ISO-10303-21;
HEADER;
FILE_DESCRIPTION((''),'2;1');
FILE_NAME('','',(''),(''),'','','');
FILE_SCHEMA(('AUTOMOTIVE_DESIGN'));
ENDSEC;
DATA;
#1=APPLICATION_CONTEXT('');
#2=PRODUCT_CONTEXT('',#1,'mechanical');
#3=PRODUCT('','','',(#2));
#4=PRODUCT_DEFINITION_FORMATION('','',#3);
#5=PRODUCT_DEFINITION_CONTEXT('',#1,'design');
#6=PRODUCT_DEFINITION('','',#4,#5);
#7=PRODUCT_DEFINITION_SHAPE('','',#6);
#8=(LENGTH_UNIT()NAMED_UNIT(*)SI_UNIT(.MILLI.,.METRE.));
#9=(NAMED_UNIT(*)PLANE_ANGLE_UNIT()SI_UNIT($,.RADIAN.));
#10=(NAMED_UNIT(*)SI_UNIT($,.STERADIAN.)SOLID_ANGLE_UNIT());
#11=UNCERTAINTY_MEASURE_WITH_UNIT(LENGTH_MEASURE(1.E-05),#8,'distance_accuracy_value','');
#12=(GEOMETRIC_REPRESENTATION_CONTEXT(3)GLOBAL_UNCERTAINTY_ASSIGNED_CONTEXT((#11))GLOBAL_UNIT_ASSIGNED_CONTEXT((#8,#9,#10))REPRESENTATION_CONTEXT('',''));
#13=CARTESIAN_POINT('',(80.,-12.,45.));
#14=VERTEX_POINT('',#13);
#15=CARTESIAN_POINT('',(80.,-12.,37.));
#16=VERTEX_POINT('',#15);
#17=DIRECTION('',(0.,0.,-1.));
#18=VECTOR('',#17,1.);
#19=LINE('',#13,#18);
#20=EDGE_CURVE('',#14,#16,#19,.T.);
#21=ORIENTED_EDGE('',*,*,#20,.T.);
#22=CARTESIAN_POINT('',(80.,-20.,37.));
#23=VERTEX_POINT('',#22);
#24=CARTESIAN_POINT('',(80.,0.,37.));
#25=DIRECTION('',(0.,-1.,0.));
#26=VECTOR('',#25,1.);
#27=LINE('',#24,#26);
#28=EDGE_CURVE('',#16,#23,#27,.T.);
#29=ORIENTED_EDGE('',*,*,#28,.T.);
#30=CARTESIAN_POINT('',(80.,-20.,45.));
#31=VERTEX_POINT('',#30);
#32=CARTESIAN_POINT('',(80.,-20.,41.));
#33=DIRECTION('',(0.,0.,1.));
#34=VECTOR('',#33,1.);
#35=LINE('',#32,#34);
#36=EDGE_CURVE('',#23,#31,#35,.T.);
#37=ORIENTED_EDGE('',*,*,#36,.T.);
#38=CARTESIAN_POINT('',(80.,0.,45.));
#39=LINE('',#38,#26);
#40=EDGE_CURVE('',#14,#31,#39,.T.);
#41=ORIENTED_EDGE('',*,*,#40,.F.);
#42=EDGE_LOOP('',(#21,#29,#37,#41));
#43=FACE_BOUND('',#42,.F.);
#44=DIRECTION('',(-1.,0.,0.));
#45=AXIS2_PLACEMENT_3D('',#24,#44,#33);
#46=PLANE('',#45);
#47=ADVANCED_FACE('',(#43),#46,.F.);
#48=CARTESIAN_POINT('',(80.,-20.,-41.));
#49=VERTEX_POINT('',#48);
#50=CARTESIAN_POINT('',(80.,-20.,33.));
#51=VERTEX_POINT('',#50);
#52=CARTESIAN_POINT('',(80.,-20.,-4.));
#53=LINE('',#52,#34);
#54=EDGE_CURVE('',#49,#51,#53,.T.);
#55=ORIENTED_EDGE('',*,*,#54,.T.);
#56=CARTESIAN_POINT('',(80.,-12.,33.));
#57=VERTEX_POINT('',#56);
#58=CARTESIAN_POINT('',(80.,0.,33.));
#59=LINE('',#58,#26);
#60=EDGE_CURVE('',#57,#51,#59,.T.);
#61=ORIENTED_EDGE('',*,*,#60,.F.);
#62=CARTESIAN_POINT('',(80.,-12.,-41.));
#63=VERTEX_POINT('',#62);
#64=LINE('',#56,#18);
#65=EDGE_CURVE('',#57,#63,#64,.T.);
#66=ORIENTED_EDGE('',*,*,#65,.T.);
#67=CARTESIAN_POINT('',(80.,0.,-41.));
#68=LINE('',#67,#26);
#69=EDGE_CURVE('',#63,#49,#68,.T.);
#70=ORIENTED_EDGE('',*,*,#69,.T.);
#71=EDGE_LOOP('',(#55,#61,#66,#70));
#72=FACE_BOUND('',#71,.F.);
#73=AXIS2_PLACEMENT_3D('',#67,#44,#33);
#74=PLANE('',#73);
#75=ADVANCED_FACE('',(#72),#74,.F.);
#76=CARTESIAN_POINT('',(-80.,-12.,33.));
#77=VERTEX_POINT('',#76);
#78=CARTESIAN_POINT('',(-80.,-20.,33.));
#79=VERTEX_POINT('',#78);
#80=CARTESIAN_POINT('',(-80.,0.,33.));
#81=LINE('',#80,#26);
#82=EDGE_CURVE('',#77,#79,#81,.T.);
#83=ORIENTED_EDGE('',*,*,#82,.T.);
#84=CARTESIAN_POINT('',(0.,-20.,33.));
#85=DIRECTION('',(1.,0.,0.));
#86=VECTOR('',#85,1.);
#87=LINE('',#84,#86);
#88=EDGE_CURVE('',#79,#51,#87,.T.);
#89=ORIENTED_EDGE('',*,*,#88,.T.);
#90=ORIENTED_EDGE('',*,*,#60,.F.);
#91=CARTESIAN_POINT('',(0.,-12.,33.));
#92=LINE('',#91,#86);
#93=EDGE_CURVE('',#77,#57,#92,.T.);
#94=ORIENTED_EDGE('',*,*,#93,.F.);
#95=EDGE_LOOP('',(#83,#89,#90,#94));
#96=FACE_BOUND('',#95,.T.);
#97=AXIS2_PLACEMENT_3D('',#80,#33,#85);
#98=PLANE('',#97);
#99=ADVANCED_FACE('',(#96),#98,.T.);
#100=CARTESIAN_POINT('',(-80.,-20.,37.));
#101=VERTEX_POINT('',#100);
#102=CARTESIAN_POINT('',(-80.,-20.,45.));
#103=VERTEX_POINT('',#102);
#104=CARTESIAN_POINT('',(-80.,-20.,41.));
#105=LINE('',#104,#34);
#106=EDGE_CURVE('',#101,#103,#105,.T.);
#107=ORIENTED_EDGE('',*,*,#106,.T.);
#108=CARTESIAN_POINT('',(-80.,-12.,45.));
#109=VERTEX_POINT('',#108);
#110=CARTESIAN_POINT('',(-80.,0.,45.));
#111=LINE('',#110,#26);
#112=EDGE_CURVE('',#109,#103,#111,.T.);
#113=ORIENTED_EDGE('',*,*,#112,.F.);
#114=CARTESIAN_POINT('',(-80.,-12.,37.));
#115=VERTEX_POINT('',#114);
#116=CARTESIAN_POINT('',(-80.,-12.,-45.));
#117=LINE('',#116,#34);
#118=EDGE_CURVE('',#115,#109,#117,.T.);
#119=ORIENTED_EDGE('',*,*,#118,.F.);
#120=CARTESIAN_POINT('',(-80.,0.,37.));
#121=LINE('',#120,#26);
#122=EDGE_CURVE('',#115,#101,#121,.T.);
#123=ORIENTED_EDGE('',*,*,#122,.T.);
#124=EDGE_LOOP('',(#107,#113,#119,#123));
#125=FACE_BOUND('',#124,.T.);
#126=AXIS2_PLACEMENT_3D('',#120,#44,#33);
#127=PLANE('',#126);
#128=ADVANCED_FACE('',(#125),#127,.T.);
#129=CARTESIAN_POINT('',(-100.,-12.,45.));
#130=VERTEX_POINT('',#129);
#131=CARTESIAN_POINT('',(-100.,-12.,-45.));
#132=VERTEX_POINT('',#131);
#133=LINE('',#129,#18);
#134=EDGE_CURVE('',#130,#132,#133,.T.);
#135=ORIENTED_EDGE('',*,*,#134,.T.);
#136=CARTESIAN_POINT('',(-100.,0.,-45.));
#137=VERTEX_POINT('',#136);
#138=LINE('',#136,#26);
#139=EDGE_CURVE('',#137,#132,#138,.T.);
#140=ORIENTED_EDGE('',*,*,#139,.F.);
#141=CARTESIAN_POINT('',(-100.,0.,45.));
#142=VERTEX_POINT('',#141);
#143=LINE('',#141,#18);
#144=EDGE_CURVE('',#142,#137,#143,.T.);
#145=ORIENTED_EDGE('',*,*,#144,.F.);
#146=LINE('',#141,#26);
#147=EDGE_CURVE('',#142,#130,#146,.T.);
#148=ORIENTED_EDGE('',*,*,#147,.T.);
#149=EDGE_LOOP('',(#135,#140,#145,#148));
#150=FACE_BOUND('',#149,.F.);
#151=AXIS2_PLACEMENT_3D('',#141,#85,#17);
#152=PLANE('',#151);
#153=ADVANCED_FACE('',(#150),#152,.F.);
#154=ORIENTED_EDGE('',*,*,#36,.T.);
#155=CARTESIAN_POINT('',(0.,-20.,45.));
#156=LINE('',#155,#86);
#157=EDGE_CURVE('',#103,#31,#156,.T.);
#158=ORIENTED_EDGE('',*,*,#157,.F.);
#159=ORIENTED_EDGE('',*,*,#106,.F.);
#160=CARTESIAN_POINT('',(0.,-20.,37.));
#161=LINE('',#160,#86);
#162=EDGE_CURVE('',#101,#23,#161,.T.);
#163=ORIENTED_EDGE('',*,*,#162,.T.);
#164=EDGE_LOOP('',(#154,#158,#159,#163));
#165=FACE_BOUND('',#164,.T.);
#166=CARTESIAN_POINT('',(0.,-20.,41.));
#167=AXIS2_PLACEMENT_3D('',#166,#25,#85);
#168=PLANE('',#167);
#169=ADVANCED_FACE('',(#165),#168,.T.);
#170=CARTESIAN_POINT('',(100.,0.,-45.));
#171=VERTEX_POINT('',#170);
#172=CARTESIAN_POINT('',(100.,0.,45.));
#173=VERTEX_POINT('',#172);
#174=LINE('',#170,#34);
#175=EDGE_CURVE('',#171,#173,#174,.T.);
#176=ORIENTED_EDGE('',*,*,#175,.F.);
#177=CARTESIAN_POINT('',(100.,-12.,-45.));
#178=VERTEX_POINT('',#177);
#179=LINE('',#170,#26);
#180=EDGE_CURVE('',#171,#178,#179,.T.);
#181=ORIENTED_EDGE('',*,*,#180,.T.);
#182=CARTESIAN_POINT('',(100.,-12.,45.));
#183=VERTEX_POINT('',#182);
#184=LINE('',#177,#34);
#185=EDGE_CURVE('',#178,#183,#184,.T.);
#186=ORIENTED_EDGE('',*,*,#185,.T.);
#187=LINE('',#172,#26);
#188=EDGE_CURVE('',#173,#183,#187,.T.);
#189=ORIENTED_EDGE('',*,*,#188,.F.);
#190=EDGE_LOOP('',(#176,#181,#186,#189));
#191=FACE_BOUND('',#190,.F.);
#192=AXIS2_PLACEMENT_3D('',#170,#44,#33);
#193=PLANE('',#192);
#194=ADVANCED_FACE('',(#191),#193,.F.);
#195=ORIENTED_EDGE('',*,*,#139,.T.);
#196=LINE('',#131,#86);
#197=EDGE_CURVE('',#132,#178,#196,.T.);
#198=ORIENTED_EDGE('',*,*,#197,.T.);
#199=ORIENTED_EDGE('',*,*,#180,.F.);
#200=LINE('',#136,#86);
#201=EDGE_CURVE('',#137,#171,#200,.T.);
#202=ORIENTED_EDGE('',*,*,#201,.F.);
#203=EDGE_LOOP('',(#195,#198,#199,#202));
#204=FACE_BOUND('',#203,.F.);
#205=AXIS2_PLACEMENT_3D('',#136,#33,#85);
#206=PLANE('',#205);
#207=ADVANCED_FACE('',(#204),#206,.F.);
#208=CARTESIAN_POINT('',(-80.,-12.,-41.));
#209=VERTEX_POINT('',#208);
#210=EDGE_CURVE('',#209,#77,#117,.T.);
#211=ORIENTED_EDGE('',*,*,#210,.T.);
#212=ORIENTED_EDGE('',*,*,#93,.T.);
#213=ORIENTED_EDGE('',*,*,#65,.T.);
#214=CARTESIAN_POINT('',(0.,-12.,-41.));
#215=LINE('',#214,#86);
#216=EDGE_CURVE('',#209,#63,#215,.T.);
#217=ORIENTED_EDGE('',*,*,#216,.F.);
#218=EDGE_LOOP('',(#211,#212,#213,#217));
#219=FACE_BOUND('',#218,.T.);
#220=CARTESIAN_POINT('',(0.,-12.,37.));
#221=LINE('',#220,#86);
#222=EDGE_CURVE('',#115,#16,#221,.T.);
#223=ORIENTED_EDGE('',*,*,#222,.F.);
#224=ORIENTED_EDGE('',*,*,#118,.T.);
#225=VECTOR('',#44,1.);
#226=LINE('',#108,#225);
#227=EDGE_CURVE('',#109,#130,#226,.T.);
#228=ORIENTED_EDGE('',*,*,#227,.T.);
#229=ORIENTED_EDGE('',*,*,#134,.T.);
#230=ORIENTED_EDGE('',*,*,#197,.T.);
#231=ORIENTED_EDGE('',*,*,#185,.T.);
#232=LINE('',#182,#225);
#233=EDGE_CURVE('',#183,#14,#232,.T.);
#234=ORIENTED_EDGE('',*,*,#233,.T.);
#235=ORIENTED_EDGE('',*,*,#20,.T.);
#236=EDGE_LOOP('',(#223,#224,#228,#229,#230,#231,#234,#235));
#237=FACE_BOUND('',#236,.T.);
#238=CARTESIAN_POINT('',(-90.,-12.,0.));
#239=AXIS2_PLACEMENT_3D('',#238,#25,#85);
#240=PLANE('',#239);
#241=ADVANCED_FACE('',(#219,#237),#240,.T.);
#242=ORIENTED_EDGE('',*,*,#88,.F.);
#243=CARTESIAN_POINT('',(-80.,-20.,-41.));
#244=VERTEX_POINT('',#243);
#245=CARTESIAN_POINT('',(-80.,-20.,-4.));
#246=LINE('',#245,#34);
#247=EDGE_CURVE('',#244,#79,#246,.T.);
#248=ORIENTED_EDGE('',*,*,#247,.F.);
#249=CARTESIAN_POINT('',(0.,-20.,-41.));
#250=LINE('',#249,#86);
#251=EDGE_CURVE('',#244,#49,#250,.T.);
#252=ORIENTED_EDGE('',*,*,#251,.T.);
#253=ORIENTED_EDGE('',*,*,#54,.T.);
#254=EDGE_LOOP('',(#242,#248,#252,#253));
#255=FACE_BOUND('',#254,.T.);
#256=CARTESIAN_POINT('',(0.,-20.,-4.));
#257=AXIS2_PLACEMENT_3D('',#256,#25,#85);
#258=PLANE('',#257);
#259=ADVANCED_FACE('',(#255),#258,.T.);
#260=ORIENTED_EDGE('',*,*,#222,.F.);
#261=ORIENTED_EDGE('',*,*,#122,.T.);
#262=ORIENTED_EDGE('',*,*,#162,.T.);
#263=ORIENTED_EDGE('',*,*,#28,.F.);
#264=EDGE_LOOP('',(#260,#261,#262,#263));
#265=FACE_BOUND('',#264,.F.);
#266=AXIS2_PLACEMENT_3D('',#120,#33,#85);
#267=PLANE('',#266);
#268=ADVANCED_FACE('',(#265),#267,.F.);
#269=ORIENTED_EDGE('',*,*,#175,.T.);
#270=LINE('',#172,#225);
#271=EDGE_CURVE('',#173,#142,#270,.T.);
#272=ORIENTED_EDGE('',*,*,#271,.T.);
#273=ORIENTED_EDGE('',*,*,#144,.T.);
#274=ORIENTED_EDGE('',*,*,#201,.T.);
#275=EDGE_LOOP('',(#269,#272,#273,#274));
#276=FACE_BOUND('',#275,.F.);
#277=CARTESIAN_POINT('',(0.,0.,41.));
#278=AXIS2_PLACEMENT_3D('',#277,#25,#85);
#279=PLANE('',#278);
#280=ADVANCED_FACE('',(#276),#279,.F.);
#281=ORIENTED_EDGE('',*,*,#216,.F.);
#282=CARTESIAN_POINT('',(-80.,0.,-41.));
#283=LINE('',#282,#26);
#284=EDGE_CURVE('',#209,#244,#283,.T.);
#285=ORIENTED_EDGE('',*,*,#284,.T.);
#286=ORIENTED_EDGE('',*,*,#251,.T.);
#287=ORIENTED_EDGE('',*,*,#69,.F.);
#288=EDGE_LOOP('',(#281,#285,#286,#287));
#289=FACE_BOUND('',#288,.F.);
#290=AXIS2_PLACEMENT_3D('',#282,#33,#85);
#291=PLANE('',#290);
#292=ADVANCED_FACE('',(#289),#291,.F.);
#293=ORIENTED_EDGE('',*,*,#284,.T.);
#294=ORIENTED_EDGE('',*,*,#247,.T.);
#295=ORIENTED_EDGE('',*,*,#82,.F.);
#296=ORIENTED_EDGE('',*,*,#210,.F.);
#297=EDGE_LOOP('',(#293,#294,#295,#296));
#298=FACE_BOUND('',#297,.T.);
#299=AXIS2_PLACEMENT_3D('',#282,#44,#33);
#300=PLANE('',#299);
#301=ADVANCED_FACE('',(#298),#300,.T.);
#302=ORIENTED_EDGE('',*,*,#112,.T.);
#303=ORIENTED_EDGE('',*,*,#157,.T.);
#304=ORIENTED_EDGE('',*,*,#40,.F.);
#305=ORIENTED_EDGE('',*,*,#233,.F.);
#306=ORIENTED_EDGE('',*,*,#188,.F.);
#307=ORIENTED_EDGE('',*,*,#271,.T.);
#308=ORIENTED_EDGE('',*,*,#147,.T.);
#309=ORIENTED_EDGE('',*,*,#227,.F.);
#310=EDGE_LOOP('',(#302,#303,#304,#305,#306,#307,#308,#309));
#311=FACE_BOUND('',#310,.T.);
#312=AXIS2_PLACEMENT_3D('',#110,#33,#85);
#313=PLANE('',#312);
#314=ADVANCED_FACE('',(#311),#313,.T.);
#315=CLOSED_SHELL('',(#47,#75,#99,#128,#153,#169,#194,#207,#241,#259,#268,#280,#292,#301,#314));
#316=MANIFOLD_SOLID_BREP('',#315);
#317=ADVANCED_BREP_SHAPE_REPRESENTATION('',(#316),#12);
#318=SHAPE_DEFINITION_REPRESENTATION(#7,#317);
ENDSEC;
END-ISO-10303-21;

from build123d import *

# Parameters (mm, degrees)
F0_W     = 160
F0_H     = 4
F1_DEPTH = 12
F0_H_2   = 8
F0_H_3   = 74
F2_DEPTH = 20


with BuildPart() as f1:
    # F0 (on Front) → F1 (new body)
    with BuildSketch(Plane.XZ):
        Polygon((-80, 37), (-80, 45), (-100, 45), (-100, -45), (-80, -45), (-80, -41), (-80, 33), align=None)
        with Locations((0, 35)):
            Rectangle(F0_W, F0_H)
        with Locations((0, -43)):
            Rectangle(F0_W, F0_H)
        Polygon((100, -45), (100, 45), (80, 45), (80, 37), (80, 33), (80, -41), (80, -45), align=None)
    extrude(amount=F1_DEPTH)

    # F0 (on Front) → F2 (join)
    with BuildSketch(Plane.XZ):
        with Locations((0, 41)):
            Rectangle(F0_W, F0_H_2)
        with Locations((0, -4)):
            Rectangle(F0_W, F0_H_3)
    extrude(amount=F2_DEPTH)


solid = f1.part
